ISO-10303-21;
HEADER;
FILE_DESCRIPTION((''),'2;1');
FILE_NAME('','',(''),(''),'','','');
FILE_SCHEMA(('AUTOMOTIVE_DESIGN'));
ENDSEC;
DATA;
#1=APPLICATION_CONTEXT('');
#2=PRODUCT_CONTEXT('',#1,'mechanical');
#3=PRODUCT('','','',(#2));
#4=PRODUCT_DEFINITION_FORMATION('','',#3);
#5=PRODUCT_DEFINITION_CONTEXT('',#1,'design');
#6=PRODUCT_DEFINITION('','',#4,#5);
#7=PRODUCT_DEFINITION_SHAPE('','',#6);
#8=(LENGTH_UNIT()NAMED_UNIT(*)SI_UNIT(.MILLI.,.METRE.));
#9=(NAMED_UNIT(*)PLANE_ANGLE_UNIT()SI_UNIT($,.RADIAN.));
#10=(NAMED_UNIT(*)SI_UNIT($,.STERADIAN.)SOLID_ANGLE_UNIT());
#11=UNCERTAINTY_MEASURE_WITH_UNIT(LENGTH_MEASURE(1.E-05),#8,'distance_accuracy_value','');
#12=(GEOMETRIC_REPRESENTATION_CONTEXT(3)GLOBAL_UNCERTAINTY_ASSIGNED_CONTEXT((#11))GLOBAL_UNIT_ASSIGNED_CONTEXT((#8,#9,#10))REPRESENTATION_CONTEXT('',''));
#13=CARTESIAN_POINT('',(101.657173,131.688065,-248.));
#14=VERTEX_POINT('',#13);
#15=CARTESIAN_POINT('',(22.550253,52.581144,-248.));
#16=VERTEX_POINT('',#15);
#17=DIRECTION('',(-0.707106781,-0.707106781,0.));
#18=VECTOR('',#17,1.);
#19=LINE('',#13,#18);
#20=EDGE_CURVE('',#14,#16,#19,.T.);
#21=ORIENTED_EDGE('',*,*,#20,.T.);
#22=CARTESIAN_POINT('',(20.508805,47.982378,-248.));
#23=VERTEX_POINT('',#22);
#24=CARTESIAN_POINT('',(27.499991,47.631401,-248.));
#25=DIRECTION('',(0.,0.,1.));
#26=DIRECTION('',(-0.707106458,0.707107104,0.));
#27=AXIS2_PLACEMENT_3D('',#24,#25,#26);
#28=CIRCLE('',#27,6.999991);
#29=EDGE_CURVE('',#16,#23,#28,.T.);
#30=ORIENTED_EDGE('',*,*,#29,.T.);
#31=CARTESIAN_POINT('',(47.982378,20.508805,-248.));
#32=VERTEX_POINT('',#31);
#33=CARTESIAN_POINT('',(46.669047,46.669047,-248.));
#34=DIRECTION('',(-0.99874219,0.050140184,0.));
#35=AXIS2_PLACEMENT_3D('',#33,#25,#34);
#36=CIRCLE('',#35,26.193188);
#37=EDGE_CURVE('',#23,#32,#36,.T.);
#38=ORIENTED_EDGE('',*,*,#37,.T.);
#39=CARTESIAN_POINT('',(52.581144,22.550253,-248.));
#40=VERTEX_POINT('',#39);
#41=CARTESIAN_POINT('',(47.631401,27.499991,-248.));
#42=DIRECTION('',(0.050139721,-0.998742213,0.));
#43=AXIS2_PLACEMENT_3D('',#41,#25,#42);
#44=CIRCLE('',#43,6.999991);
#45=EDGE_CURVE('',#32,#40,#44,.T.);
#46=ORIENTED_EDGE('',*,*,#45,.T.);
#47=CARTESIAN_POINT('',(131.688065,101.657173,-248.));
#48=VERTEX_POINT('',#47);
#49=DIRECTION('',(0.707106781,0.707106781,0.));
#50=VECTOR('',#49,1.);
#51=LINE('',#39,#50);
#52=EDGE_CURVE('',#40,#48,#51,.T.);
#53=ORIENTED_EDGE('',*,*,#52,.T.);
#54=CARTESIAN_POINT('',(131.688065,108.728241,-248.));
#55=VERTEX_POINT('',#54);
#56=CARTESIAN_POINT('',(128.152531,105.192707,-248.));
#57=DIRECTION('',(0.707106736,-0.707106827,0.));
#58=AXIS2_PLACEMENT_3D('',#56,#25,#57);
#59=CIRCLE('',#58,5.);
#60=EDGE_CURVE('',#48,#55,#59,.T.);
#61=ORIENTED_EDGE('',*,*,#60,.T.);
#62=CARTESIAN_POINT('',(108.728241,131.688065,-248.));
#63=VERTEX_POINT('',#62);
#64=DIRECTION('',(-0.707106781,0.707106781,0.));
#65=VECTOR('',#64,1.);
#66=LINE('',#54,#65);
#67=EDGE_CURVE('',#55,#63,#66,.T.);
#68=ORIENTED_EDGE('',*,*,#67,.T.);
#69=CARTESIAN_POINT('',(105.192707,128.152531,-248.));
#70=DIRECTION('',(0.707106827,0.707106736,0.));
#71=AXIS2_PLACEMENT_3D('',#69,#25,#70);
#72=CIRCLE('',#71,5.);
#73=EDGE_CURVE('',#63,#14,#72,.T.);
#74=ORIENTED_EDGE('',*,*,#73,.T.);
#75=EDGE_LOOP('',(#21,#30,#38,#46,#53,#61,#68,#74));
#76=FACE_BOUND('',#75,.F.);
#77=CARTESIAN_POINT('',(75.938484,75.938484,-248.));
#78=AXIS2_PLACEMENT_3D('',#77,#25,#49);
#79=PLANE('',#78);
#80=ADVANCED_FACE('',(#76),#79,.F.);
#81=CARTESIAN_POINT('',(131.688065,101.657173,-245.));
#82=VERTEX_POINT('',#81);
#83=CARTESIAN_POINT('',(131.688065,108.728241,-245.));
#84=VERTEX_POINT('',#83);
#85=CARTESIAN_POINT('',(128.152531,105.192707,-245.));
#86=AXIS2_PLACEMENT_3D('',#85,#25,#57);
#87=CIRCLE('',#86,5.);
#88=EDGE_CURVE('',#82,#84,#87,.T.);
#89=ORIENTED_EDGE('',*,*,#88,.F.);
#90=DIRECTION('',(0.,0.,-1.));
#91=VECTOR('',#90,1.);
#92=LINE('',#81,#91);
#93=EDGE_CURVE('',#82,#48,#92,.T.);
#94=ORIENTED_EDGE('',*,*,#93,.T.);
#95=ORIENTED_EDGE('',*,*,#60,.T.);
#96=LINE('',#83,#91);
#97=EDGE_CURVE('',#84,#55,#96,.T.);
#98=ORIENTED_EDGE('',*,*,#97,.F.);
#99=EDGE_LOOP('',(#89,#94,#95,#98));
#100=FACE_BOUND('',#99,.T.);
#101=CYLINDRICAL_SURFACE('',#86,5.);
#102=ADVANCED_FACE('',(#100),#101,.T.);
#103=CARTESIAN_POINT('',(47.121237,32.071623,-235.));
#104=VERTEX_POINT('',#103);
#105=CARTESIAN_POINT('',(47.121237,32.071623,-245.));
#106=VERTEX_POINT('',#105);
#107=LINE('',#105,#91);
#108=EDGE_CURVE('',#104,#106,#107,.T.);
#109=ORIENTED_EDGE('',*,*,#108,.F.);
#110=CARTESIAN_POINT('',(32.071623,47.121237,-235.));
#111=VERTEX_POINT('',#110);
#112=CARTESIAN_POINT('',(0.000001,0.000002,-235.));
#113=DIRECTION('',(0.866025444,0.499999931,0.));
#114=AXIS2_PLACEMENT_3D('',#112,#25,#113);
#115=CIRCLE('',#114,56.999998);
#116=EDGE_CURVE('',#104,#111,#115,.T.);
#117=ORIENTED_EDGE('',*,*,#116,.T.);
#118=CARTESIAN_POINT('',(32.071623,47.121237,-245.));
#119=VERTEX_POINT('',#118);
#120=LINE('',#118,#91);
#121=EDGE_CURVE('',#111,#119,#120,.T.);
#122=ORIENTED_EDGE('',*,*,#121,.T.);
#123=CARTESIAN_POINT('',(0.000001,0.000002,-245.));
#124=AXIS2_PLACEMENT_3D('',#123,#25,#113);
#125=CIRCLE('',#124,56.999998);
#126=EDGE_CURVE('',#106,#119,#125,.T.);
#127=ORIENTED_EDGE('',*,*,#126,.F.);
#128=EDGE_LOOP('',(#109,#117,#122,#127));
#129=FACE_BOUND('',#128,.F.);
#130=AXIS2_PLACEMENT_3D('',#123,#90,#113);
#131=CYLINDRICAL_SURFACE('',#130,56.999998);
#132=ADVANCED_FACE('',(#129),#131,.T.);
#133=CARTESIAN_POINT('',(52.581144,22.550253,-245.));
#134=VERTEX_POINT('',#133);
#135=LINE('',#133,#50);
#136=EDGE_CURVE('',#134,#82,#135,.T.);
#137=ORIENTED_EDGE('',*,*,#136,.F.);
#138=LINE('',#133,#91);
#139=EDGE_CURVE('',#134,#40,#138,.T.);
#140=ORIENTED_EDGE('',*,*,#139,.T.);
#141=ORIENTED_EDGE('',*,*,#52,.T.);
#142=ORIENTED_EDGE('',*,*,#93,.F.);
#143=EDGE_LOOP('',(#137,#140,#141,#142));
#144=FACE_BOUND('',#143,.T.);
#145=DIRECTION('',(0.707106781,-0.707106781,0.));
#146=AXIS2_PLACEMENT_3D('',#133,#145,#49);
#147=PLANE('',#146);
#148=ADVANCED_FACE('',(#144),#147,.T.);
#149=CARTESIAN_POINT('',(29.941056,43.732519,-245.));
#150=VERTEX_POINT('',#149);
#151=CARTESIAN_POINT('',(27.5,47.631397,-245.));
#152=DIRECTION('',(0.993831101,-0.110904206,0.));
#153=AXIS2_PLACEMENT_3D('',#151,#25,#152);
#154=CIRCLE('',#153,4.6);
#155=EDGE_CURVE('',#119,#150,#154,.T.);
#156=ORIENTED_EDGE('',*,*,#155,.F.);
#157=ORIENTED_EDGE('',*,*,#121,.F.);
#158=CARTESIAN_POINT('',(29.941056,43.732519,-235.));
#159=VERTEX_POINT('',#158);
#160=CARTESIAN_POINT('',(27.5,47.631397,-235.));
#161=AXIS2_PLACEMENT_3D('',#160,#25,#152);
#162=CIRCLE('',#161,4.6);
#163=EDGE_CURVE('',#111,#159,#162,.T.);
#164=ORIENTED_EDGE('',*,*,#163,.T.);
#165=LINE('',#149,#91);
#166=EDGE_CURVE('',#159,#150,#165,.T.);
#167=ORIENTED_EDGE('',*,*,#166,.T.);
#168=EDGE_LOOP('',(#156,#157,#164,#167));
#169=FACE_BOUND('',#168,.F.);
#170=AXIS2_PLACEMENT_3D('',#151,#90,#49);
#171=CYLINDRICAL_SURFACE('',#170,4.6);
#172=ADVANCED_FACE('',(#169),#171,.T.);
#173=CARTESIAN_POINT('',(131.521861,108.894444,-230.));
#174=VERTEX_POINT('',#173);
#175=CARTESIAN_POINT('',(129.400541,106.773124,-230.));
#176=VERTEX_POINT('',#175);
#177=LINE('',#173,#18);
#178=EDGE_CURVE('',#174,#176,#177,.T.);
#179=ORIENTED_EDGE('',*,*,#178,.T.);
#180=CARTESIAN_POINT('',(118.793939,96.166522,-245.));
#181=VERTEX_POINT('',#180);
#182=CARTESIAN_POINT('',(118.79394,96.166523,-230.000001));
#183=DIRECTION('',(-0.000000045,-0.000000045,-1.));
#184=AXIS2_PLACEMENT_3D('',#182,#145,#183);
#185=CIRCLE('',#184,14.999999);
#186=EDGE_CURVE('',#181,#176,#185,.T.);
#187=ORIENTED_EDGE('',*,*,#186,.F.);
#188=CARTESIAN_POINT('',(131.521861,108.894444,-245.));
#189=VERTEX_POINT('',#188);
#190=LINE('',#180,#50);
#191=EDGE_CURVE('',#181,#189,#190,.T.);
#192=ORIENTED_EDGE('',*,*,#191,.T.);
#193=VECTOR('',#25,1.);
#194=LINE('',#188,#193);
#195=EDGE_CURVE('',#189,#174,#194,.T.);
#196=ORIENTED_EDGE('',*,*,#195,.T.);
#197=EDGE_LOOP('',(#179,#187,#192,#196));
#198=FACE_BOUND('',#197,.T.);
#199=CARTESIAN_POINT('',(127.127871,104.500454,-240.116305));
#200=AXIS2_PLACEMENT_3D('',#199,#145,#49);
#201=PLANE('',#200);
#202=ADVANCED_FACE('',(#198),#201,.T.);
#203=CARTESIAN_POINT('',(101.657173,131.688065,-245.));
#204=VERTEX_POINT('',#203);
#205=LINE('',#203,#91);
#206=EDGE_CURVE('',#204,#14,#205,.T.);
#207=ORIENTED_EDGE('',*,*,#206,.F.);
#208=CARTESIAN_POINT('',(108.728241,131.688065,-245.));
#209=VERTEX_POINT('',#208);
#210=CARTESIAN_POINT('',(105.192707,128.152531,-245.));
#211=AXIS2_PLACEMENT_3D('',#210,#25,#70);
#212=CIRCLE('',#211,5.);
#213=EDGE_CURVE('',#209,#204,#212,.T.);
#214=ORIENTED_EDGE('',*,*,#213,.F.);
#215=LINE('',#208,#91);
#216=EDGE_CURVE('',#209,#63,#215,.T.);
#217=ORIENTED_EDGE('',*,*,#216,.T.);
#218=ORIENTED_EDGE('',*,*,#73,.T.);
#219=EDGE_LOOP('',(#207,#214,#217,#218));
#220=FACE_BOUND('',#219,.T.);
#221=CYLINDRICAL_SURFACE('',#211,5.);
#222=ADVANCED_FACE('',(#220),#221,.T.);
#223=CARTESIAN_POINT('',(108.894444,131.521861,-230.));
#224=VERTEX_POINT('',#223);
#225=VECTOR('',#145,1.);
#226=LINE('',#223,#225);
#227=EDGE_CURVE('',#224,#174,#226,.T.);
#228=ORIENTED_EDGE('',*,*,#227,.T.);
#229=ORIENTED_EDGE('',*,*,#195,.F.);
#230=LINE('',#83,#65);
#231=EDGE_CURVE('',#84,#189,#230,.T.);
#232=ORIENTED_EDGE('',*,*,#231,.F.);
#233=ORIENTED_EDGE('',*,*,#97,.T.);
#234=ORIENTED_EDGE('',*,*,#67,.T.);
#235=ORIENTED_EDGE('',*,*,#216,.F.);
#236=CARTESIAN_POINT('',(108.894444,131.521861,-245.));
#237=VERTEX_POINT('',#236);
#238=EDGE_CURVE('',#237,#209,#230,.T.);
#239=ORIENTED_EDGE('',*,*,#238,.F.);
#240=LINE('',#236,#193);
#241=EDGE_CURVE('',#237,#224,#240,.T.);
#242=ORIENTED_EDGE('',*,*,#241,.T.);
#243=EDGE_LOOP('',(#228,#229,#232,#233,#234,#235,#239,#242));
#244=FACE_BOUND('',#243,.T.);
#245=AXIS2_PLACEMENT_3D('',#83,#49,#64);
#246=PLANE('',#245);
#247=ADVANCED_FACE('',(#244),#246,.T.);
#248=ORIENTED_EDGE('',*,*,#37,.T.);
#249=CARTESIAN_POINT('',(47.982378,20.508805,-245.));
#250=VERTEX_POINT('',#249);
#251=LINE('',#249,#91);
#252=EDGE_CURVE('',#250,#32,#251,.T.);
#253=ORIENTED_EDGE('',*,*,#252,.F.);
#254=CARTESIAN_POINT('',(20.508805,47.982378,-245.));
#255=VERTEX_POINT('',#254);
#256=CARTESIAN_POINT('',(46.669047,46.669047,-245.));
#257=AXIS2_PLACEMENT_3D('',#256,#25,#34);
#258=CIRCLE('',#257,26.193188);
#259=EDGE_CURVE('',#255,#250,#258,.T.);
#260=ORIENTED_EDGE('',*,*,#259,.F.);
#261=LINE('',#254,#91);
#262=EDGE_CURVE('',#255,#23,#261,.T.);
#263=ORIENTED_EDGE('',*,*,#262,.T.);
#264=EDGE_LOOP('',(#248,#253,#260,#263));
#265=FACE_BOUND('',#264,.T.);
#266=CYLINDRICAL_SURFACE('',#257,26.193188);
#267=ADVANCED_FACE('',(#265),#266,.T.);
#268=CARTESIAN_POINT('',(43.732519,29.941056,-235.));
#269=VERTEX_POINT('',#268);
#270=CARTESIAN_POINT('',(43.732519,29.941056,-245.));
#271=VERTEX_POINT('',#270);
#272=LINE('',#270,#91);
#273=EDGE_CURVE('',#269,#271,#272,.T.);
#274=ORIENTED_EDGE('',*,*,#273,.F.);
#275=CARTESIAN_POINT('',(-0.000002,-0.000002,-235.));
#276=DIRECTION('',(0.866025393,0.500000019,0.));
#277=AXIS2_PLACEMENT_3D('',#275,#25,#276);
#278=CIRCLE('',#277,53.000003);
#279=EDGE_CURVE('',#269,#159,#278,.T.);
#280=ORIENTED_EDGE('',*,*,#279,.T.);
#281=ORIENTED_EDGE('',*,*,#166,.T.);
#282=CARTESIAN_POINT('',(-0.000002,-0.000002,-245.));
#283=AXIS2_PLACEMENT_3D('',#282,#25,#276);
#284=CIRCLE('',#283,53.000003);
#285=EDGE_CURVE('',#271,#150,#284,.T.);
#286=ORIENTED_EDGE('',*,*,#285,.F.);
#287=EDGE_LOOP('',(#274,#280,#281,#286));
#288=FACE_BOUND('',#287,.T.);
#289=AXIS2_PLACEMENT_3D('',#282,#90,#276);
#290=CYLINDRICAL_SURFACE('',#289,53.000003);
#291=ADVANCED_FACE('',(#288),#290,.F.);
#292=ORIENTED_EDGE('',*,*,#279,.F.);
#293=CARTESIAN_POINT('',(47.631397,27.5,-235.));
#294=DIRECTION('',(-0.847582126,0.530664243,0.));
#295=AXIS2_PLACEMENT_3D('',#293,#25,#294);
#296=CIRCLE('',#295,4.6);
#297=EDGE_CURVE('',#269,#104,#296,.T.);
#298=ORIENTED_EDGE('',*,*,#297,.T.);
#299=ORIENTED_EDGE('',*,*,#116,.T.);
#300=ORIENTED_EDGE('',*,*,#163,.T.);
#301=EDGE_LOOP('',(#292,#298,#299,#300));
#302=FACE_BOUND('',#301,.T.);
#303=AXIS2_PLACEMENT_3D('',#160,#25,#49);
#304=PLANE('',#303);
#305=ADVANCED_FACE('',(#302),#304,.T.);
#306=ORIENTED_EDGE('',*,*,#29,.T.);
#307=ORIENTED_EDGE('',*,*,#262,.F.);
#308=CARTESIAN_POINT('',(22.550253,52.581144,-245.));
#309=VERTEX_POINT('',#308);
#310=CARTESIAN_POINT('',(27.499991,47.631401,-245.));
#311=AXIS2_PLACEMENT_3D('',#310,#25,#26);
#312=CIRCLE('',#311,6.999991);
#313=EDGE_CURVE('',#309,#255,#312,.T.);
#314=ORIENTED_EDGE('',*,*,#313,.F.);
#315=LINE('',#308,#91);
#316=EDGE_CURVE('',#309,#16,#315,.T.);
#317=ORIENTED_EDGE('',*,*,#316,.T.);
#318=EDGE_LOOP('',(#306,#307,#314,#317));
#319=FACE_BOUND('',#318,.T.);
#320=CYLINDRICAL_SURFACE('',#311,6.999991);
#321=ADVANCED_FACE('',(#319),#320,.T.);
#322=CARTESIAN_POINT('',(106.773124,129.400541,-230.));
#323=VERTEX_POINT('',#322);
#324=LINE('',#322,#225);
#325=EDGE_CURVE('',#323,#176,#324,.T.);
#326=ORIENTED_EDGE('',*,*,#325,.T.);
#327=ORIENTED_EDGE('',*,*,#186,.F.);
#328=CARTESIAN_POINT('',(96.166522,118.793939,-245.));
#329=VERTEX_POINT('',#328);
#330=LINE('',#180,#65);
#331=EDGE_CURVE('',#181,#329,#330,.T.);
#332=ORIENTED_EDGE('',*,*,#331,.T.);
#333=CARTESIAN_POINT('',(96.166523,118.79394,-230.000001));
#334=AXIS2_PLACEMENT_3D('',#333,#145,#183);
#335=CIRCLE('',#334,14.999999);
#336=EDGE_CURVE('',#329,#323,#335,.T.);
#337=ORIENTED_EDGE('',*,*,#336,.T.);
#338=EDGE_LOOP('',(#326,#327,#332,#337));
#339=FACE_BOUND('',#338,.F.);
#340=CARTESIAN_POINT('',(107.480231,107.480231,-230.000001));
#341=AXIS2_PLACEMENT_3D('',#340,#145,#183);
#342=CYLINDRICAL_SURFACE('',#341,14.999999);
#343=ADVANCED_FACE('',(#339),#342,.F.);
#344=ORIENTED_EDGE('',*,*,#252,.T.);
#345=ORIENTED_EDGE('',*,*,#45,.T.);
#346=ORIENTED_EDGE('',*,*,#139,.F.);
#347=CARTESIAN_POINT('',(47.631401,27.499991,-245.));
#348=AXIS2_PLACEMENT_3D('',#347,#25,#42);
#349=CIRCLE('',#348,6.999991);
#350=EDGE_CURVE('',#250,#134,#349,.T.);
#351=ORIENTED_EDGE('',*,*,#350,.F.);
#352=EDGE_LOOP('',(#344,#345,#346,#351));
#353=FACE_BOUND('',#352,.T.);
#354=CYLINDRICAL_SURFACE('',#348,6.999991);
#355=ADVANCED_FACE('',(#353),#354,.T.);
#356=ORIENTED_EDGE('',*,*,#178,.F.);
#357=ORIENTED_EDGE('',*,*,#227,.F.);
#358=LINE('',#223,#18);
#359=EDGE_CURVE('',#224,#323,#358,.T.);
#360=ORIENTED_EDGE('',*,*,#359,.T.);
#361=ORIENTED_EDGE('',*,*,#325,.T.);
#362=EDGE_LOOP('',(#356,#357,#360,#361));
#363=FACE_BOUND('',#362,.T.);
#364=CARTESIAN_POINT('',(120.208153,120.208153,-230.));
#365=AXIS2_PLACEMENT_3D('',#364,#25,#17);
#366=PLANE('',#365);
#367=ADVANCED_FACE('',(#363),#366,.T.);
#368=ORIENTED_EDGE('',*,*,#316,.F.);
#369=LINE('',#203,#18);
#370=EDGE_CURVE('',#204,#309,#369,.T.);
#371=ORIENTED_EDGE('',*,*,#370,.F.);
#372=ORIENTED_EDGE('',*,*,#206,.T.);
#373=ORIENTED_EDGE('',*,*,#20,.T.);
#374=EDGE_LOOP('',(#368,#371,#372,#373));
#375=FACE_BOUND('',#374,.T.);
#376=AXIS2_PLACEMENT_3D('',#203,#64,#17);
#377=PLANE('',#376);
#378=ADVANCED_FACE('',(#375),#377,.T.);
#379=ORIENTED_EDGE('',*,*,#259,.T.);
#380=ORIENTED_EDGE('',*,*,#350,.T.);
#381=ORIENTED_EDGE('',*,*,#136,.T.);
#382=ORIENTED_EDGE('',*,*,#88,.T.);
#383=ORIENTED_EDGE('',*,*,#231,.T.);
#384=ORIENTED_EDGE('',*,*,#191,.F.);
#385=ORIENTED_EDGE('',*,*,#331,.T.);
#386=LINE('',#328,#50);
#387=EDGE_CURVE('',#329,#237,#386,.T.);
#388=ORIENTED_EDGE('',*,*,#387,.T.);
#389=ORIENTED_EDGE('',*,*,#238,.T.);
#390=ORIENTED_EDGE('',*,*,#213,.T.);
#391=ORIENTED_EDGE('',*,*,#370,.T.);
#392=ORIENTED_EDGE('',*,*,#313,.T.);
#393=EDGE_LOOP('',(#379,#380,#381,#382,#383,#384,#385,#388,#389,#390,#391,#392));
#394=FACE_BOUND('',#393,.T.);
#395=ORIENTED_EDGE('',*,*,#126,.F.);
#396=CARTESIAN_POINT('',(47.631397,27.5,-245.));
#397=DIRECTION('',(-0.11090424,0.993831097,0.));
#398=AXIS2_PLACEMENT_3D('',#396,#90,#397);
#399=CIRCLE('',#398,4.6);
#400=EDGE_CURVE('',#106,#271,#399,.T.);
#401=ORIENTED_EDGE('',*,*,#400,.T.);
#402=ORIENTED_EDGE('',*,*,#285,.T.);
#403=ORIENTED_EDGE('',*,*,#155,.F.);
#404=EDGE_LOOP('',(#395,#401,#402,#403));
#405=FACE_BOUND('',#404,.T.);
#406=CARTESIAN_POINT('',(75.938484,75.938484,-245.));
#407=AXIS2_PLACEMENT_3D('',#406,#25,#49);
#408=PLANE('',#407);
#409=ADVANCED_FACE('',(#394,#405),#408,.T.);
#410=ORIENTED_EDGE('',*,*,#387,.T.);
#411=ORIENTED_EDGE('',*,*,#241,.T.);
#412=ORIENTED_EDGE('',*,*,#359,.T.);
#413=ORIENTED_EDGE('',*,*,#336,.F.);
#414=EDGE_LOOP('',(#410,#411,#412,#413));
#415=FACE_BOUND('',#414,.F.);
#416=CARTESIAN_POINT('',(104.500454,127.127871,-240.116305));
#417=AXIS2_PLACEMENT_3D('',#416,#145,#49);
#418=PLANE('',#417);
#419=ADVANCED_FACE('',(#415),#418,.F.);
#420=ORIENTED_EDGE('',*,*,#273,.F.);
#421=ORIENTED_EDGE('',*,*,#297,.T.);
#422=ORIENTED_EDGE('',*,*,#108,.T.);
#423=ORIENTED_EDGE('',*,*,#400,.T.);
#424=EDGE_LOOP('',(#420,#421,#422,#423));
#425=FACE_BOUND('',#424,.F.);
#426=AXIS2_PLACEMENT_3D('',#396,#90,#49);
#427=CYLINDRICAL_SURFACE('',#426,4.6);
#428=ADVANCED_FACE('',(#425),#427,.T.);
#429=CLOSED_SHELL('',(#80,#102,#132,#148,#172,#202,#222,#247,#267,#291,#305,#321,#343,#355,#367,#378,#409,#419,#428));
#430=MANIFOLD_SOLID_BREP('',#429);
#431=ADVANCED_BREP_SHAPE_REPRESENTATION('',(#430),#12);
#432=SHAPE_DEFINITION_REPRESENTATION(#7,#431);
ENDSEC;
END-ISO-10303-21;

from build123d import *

# Parameters (mm, degrees)
PAD033_DEPTH            = 3
SKETCH041_R             = 4.6
PAD032_DEPTH            = 10
PAD035_DEPTH            = 16
PAD036_DEPTH            = 10
BODY010_PLACEMENT_ANGLE = 45


with BuildPart() as part:
    # Sketch042 → Pad033 (new body)
    with BuildSketch(Plane.XY):
        with BuildLine():
            Line((165, 21.235047), (53.12592, 21.235047))
            ThreePointArc((53.12592, 21.235047), (50.610162, 20.767349), (48.43058, 19.42675))
            ThreePointArc((48.43058, 19.42675), (39.806811, 0), (48.43058, -19.42675))
            ThreePointArc((48.43058, -19.42675), (50.610162, -20.767349), (53.12592, -21.235047))
            Line((53.12592, -21.235047), (165, -21.235047))
            ThreePointArc((165, -21.235047), (168.535534, -19.770581), (170, -16.235047))
            Line((170, -16.235047), (170, 16.235047))
            ThreePointArc((170, 16.235047), (168.535534, 19.770581), (165, 21.235047))
        make_face()
    extrude(amount=-PAD033_DEPTH)

    # Sketch041 → Pad032 (join)
    with BuildSketch(Plane.XY):
        with Locations((53.12592, 14.235047)):
            Circle(SKETCH041_R)
        with Locations((53.12592, -14.235047)):
            Circle(SKETCH041_R)
    extrude(amount=PAD032_DEPTH)

    # Sketch045 → Pad035 (join, symmetric)
    with BuildSketch(Plane.XZ):
        with BuildLine():
            Line((170, 0), (170, 15))
            Line((170, 15), (167, 15))
            ThreePointArc((152, 0), (162.606602, 4.393398), (167, 15))
            Line((152, 0), (170, 0))
        make_face()
    extrude(amount=PAD035_DEPTH, both=True)

    # Sketch046 → Pad036 (join)
    with BuildSketch(Plane.XY):
        with BuildLine():
            ThreePointArc((55.057772, 14.752686), (52.608282, 16.166899), (51.194069, 13.717409))
            ThreePointArc((51.194069, -13.717409), (53, 0), (51.194069, 13.717409))
            ThreePointArc((51.194069, -13.717409), (52.608281, -16.166899), (55.057771, -14.752689))
            ThreePointArc((55.057771, -14.752689), (57, -2e-06), (55.057772, 14.752686))
        make_face()
    extrude(amount=PAD036_DEPTH)


with BuildPart() as part_1:
    # Body010 placement: moved
    add(part.part.moved(Location((0, 0, -245))).rotate(Axis((0, 0, -245), (0, 0, 1)), BODY010_PLACEMENT_ANGLE))


solid = part_1.part
